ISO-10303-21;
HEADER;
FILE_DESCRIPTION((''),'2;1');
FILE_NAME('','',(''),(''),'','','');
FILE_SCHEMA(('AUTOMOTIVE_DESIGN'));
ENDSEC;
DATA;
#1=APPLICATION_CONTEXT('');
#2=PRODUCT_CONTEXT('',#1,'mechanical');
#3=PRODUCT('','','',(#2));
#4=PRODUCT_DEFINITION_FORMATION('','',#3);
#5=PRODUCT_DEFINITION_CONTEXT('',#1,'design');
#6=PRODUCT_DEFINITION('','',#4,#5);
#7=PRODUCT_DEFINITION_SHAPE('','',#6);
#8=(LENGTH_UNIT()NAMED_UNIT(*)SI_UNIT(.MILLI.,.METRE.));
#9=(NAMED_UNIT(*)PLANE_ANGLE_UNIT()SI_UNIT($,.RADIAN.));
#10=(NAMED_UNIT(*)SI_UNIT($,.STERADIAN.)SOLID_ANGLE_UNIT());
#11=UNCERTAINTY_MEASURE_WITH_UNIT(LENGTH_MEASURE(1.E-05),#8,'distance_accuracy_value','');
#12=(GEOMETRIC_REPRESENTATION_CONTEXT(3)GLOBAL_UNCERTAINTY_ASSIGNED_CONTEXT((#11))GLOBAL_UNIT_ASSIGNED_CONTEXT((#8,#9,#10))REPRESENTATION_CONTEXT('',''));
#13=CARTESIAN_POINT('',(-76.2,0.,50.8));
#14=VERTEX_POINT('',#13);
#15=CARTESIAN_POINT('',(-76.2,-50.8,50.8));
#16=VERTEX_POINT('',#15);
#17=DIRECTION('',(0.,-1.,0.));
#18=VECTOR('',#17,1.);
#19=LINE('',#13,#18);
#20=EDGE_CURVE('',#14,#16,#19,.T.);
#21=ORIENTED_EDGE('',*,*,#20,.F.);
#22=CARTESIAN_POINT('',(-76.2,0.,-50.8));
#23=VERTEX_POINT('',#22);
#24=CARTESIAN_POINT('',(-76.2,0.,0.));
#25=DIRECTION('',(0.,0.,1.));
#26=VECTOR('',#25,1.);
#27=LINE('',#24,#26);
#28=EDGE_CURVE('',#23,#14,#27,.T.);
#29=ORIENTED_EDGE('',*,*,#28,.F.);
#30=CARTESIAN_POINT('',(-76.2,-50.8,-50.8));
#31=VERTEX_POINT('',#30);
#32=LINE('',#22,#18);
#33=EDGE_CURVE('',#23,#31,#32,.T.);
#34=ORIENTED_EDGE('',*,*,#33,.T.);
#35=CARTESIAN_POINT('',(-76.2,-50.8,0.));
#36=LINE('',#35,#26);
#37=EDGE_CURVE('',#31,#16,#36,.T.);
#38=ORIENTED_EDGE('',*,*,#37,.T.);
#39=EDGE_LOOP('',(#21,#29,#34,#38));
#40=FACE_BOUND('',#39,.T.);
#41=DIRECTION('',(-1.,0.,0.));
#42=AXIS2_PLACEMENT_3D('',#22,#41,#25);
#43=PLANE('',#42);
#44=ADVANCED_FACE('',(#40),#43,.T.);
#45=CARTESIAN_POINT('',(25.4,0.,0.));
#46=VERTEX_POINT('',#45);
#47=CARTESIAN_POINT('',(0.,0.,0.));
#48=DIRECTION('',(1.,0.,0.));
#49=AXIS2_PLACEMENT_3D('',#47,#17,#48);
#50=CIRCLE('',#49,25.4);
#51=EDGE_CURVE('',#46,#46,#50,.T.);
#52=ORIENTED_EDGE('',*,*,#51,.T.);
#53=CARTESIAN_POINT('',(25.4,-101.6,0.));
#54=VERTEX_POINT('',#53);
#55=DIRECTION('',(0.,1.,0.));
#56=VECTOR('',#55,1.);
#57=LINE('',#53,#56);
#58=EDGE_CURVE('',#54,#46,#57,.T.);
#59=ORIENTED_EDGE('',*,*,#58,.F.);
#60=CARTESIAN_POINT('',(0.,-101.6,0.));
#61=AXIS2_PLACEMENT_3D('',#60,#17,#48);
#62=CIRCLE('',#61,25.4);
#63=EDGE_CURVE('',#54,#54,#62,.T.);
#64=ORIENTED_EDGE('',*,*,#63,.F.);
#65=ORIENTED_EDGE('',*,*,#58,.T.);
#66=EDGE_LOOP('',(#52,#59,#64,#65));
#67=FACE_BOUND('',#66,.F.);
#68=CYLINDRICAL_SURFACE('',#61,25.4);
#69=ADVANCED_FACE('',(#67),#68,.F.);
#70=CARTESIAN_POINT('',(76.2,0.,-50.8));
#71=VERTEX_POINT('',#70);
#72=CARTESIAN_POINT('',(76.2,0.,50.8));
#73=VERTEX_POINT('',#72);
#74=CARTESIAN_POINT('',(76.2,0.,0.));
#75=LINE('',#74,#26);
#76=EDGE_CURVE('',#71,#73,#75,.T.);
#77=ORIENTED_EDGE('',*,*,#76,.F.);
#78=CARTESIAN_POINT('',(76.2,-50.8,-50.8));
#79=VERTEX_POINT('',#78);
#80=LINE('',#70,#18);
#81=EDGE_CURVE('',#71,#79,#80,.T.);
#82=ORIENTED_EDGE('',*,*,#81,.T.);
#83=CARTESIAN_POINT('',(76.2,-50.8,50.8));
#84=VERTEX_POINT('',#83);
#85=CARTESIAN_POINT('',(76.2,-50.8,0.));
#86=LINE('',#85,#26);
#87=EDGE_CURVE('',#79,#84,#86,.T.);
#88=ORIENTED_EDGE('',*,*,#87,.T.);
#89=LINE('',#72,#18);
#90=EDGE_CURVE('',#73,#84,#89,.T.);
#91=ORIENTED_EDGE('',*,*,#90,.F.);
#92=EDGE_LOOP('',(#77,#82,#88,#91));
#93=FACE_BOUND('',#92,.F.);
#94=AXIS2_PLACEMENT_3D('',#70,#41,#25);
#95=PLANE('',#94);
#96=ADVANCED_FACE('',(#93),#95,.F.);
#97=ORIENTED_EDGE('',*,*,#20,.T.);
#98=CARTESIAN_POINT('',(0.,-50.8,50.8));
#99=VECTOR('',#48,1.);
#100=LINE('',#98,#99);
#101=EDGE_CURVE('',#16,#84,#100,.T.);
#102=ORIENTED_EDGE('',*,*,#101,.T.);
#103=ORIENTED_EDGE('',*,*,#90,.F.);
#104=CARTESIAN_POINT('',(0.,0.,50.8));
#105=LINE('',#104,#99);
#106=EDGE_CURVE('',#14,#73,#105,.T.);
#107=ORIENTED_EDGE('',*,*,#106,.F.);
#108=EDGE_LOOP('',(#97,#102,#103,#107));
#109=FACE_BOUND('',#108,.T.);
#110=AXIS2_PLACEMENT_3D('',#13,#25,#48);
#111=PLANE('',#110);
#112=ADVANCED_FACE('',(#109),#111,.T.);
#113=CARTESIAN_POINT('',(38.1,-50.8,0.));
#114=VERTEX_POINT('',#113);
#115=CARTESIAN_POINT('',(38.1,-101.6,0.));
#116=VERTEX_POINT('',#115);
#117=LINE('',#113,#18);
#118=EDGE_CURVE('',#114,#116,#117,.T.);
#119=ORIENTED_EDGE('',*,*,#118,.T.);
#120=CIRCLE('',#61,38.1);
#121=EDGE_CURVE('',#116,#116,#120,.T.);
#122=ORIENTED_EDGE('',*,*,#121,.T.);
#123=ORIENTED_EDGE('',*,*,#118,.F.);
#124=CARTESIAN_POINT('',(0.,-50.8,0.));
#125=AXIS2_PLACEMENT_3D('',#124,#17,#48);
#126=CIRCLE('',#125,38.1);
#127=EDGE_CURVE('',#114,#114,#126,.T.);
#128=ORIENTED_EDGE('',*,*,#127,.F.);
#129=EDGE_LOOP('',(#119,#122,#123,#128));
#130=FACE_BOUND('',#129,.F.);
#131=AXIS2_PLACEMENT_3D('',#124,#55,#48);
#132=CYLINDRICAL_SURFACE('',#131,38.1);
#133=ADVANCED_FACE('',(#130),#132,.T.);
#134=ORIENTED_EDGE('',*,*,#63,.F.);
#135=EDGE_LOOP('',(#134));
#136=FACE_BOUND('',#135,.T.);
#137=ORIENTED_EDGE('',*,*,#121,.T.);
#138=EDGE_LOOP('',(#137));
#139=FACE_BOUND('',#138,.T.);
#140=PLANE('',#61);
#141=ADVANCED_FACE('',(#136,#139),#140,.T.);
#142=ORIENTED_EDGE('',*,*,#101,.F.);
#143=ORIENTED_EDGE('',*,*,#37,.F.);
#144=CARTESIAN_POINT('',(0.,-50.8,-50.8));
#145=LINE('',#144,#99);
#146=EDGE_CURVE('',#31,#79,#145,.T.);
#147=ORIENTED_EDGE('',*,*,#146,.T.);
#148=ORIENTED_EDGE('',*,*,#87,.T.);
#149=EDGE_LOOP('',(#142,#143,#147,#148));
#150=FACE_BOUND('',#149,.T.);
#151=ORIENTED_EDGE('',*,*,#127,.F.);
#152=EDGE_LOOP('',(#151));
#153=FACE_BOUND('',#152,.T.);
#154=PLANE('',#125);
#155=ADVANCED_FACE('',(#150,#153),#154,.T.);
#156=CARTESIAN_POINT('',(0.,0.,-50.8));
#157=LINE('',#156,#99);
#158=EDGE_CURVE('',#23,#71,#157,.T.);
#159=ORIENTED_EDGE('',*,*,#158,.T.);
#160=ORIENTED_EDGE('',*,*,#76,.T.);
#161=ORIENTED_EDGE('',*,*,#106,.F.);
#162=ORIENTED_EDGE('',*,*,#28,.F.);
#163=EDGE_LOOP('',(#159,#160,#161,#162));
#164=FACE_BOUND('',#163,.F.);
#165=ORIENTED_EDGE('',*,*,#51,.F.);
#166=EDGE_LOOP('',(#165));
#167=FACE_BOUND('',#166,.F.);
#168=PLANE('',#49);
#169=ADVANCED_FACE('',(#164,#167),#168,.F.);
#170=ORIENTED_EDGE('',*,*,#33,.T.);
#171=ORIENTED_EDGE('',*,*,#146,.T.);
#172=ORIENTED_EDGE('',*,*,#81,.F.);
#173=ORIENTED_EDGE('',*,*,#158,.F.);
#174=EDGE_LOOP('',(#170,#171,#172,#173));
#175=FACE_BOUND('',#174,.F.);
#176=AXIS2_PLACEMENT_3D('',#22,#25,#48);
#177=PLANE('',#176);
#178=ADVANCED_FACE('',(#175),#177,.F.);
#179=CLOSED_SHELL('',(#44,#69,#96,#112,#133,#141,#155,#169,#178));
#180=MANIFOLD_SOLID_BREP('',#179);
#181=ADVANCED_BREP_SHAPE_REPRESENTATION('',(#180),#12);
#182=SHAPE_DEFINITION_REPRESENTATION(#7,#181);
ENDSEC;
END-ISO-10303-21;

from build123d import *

# Parameters (mm, degrees)
F0_W     = 152.4
F0_H     = 101.6
F1_DEPTH = 50.8
F3_R     = 38.1
F4_DEPTH = 50.8
F5_R     = 25.4
F6_DEPTH = 101.6


with BuildPart() as f1:
    # F0 (on Front) → F1 (new body)
    with BuildSketch(Plane.XZ):
        Rectangle(F0_W, F0_H)
    extrude(amount=F1_DEPTH)

    # F3 (on face) → F4 (join)
    with BuildSketch(Plane.XZ.offset(50.8)):
        Circle(F3_R)
    extrude(amount=F4_DEPTH)

    # F5 (on face) → F6 (cut)
    with BuildSketch(Plane.XZ.offset(101.6)):
        Circle(F5_R)
    extrude(amount=-F6_DEPTH, mode=Mode.SUBTRACT)


solid = f1.part
